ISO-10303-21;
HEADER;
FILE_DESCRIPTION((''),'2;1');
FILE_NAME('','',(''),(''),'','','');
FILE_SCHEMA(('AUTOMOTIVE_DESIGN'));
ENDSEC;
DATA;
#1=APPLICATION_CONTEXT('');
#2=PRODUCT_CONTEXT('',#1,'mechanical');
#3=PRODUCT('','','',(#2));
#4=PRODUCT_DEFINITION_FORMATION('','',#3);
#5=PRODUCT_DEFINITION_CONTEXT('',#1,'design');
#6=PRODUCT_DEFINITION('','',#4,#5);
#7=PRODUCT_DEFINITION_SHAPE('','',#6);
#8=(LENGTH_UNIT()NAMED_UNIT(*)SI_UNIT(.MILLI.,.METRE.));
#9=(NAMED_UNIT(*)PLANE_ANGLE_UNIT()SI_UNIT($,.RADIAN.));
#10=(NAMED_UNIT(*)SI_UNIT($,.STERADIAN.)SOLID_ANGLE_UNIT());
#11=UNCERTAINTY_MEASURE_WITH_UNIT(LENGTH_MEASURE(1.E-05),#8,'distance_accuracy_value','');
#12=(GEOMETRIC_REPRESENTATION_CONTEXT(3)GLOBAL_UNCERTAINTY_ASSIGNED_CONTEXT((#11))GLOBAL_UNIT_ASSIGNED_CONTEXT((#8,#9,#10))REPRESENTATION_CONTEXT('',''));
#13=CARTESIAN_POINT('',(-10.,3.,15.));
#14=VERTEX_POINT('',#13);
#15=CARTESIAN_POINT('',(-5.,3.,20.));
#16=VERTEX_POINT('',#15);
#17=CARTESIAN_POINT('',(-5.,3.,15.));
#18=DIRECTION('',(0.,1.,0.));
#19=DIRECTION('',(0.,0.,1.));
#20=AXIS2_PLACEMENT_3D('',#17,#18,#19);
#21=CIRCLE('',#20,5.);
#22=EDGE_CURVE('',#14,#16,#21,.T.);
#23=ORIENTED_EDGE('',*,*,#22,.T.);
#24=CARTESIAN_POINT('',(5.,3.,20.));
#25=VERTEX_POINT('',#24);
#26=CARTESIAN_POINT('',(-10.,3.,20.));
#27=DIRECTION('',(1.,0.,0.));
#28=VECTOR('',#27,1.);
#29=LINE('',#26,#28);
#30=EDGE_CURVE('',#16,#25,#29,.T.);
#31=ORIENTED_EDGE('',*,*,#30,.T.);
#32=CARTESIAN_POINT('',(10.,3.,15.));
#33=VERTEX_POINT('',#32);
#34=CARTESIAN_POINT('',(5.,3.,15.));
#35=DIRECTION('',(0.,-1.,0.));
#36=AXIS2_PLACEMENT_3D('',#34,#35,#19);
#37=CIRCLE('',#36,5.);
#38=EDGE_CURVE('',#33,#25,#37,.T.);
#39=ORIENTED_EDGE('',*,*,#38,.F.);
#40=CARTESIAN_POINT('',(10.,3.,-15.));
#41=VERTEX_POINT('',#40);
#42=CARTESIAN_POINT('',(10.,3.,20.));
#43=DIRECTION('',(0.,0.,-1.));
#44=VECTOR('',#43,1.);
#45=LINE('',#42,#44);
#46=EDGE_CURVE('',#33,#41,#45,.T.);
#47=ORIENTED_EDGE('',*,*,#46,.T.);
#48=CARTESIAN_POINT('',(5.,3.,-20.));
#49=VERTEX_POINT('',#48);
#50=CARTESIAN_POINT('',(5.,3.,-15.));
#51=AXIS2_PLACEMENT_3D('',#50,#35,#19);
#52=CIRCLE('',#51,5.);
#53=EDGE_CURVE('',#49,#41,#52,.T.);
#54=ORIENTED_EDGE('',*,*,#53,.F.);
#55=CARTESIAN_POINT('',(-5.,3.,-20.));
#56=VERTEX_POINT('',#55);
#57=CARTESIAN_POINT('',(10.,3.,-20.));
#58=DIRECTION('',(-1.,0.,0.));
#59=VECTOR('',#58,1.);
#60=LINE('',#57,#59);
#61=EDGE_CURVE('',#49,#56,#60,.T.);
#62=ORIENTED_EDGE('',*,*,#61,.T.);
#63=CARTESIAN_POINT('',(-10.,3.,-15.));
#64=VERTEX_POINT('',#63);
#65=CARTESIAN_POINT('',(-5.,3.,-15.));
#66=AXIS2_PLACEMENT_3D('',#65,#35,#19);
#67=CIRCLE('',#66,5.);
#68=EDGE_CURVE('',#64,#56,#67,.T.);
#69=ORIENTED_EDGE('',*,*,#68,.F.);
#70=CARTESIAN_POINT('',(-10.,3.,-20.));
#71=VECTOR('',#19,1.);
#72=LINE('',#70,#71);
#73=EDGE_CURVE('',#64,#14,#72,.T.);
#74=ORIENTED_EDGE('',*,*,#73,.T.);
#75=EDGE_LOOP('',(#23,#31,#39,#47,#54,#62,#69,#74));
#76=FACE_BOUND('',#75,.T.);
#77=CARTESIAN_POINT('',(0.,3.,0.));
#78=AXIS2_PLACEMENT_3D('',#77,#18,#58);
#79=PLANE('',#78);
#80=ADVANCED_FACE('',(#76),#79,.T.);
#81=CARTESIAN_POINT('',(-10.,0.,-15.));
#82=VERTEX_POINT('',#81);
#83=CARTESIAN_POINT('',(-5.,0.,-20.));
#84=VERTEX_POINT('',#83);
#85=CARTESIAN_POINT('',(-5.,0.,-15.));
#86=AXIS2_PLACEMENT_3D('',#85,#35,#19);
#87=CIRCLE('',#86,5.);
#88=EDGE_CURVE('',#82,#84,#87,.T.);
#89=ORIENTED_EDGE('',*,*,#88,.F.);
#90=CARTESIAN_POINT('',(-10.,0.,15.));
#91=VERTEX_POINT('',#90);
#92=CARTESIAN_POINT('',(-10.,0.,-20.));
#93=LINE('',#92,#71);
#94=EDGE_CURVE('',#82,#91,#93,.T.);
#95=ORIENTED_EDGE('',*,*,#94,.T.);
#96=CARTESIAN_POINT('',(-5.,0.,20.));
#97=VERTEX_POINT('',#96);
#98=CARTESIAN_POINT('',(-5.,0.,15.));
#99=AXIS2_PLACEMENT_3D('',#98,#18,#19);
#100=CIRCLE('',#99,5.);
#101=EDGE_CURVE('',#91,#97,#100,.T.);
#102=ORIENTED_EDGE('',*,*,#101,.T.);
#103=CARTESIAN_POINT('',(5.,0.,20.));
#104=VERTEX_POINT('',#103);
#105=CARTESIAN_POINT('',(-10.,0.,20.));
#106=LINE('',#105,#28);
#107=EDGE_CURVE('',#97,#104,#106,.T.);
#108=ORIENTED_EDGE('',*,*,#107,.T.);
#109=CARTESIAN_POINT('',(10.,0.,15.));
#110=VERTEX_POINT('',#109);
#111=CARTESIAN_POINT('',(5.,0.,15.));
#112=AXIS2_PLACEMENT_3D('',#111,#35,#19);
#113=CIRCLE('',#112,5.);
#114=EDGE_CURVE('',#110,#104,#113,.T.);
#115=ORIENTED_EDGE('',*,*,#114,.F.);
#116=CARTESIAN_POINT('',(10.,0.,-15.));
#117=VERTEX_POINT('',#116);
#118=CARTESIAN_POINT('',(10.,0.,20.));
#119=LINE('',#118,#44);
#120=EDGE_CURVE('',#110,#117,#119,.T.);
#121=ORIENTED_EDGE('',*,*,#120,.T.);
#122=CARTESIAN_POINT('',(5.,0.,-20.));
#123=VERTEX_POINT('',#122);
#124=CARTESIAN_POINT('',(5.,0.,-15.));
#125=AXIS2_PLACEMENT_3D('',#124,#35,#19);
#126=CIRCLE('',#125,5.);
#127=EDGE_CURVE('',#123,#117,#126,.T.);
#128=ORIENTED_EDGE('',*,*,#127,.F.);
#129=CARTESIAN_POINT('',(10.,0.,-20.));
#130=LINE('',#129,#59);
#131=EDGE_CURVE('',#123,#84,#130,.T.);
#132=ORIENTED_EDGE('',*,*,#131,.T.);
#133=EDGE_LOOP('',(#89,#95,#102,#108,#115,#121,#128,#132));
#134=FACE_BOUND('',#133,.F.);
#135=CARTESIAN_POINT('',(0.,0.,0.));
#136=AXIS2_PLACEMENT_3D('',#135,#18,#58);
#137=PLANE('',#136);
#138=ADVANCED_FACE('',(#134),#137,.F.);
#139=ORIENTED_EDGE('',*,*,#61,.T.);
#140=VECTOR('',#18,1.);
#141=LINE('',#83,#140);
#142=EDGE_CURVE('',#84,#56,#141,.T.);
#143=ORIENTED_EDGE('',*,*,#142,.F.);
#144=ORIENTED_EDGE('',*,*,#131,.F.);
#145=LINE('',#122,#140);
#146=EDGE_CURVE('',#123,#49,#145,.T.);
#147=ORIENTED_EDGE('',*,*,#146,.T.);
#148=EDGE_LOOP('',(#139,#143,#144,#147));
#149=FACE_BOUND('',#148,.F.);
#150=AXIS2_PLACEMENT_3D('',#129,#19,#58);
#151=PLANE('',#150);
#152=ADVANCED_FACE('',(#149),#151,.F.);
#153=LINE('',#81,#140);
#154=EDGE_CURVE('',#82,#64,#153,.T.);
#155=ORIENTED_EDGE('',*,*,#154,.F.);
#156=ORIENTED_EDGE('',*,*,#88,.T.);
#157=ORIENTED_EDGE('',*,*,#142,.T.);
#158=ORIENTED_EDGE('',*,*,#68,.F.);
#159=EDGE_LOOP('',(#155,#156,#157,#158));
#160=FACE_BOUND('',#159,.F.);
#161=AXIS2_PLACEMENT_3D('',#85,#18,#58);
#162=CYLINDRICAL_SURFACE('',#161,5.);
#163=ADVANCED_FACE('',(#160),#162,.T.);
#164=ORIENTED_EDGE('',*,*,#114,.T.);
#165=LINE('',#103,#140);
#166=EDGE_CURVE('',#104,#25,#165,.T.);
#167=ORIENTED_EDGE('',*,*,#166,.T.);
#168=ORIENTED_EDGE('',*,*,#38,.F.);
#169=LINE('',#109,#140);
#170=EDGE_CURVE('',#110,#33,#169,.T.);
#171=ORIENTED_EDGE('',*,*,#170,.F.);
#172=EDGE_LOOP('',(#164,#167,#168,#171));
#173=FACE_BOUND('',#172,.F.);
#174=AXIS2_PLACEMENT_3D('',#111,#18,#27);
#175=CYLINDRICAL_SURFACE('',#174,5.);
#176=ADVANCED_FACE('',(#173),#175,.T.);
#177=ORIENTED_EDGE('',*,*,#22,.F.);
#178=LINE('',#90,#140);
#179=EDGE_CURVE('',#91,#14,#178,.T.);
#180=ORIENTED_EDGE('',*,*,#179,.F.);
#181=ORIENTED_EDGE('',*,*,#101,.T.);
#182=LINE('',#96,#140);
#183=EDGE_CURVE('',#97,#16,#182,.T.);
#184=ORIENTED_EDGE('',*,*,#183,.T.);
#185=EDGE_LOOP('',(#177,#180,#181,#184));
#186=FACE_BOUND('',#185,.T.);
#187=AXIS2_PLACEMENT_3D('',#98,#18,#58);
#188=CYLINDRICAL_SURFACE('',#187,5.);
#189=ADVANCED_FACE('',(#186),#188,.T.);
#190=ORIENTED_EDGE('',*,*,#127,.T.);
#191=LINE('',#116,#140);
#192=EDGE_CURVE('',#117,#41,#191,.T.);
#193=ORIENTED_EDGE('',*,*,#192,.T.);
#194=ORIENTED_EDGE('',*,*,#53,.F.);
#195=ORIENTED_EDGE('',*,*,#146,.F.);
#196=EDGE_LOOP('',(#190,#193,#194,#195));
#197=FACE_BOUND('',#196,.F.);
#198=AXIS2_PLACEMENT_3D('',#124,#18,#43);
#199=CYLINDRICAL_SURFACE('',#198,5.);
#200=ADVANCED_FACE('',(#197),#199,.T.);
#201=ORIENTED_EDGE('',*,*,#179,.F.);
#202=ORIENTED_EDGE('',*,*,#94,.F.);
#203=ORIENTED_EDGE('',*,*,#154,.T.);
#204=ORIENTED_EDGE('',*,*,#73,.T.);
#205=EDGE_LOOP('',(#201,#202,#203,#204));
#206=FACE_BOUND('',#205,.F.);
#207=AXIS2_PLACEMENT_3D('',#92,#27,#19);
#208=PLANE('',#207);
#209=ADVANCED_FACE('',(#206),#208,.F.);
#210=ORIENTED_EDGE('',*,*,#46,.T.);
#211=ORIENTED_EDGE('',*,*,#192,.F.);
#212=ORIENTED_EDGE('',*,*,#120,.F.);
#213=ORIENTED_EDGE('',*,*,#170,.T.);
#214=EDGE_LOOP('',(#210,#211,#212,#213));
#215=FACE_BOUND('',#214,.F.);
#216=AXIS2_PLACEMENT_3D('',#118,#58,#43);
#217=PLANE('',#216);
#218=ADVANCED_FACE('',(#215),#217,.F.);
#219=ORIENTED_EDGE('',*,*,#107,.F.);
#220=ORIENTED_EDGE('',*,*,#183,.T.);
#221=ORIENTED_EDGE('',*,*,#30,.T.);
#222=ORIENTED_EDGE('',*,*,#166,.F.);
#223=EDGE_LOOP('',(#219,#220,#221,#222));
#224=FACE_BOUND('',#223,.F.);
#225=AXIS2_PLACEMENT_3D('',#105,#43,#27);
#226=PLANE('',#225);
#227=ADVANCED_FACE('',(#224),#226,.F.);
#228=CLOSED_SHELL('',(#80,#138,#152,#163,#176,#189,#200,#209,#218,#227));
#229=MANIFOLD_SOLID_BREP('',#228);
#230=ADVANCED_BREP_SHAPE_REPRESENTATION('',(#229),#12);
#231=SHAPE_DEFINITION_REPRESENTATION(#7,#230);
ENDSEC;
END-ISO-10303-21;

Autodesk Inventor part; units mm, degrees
ref_plane "YZ Plane" through (0, 0, 0) normal (1, 0, 0) x (0, 1, 0)
ref_plane "XZ Plane" through (0, 0, 0) normal (0, 1, 0) x (-1, 0, 0)
ref_plane "XY Plane" through (0, 0, 0) normal (0, 0, 1) x (1, 0, 0)
sketch "Sketch1" plane through (0, 0, 0) normal (0, 1, 0) x (-1, 0, 0)
  line L0 (10, 20) -> (-10, 20)
  line L1 (-10, 20) -> (-10, -20)
  line L2 (-10, -20) -> (10, -20)
  line L3 (10, -20) -> (10, 20)
  line L4 (10, 20) -> (-10, -20) construction
  line L5 (-10, 20) -> (10, -20) construction
  point P0 (0, 0)
  dimension "d0" = 20
  dimension "d1" = 40
extrude "Extrusion1" add sketch "Sketch1" along normal blind 3
fillet "Fillet1" radius 5 4 edges at (-10, 1.5, 20) (10, 1.5, 20) (-10, 1.5, -20) (10, 1.5, -20)
properties part number "Safety_piece"
